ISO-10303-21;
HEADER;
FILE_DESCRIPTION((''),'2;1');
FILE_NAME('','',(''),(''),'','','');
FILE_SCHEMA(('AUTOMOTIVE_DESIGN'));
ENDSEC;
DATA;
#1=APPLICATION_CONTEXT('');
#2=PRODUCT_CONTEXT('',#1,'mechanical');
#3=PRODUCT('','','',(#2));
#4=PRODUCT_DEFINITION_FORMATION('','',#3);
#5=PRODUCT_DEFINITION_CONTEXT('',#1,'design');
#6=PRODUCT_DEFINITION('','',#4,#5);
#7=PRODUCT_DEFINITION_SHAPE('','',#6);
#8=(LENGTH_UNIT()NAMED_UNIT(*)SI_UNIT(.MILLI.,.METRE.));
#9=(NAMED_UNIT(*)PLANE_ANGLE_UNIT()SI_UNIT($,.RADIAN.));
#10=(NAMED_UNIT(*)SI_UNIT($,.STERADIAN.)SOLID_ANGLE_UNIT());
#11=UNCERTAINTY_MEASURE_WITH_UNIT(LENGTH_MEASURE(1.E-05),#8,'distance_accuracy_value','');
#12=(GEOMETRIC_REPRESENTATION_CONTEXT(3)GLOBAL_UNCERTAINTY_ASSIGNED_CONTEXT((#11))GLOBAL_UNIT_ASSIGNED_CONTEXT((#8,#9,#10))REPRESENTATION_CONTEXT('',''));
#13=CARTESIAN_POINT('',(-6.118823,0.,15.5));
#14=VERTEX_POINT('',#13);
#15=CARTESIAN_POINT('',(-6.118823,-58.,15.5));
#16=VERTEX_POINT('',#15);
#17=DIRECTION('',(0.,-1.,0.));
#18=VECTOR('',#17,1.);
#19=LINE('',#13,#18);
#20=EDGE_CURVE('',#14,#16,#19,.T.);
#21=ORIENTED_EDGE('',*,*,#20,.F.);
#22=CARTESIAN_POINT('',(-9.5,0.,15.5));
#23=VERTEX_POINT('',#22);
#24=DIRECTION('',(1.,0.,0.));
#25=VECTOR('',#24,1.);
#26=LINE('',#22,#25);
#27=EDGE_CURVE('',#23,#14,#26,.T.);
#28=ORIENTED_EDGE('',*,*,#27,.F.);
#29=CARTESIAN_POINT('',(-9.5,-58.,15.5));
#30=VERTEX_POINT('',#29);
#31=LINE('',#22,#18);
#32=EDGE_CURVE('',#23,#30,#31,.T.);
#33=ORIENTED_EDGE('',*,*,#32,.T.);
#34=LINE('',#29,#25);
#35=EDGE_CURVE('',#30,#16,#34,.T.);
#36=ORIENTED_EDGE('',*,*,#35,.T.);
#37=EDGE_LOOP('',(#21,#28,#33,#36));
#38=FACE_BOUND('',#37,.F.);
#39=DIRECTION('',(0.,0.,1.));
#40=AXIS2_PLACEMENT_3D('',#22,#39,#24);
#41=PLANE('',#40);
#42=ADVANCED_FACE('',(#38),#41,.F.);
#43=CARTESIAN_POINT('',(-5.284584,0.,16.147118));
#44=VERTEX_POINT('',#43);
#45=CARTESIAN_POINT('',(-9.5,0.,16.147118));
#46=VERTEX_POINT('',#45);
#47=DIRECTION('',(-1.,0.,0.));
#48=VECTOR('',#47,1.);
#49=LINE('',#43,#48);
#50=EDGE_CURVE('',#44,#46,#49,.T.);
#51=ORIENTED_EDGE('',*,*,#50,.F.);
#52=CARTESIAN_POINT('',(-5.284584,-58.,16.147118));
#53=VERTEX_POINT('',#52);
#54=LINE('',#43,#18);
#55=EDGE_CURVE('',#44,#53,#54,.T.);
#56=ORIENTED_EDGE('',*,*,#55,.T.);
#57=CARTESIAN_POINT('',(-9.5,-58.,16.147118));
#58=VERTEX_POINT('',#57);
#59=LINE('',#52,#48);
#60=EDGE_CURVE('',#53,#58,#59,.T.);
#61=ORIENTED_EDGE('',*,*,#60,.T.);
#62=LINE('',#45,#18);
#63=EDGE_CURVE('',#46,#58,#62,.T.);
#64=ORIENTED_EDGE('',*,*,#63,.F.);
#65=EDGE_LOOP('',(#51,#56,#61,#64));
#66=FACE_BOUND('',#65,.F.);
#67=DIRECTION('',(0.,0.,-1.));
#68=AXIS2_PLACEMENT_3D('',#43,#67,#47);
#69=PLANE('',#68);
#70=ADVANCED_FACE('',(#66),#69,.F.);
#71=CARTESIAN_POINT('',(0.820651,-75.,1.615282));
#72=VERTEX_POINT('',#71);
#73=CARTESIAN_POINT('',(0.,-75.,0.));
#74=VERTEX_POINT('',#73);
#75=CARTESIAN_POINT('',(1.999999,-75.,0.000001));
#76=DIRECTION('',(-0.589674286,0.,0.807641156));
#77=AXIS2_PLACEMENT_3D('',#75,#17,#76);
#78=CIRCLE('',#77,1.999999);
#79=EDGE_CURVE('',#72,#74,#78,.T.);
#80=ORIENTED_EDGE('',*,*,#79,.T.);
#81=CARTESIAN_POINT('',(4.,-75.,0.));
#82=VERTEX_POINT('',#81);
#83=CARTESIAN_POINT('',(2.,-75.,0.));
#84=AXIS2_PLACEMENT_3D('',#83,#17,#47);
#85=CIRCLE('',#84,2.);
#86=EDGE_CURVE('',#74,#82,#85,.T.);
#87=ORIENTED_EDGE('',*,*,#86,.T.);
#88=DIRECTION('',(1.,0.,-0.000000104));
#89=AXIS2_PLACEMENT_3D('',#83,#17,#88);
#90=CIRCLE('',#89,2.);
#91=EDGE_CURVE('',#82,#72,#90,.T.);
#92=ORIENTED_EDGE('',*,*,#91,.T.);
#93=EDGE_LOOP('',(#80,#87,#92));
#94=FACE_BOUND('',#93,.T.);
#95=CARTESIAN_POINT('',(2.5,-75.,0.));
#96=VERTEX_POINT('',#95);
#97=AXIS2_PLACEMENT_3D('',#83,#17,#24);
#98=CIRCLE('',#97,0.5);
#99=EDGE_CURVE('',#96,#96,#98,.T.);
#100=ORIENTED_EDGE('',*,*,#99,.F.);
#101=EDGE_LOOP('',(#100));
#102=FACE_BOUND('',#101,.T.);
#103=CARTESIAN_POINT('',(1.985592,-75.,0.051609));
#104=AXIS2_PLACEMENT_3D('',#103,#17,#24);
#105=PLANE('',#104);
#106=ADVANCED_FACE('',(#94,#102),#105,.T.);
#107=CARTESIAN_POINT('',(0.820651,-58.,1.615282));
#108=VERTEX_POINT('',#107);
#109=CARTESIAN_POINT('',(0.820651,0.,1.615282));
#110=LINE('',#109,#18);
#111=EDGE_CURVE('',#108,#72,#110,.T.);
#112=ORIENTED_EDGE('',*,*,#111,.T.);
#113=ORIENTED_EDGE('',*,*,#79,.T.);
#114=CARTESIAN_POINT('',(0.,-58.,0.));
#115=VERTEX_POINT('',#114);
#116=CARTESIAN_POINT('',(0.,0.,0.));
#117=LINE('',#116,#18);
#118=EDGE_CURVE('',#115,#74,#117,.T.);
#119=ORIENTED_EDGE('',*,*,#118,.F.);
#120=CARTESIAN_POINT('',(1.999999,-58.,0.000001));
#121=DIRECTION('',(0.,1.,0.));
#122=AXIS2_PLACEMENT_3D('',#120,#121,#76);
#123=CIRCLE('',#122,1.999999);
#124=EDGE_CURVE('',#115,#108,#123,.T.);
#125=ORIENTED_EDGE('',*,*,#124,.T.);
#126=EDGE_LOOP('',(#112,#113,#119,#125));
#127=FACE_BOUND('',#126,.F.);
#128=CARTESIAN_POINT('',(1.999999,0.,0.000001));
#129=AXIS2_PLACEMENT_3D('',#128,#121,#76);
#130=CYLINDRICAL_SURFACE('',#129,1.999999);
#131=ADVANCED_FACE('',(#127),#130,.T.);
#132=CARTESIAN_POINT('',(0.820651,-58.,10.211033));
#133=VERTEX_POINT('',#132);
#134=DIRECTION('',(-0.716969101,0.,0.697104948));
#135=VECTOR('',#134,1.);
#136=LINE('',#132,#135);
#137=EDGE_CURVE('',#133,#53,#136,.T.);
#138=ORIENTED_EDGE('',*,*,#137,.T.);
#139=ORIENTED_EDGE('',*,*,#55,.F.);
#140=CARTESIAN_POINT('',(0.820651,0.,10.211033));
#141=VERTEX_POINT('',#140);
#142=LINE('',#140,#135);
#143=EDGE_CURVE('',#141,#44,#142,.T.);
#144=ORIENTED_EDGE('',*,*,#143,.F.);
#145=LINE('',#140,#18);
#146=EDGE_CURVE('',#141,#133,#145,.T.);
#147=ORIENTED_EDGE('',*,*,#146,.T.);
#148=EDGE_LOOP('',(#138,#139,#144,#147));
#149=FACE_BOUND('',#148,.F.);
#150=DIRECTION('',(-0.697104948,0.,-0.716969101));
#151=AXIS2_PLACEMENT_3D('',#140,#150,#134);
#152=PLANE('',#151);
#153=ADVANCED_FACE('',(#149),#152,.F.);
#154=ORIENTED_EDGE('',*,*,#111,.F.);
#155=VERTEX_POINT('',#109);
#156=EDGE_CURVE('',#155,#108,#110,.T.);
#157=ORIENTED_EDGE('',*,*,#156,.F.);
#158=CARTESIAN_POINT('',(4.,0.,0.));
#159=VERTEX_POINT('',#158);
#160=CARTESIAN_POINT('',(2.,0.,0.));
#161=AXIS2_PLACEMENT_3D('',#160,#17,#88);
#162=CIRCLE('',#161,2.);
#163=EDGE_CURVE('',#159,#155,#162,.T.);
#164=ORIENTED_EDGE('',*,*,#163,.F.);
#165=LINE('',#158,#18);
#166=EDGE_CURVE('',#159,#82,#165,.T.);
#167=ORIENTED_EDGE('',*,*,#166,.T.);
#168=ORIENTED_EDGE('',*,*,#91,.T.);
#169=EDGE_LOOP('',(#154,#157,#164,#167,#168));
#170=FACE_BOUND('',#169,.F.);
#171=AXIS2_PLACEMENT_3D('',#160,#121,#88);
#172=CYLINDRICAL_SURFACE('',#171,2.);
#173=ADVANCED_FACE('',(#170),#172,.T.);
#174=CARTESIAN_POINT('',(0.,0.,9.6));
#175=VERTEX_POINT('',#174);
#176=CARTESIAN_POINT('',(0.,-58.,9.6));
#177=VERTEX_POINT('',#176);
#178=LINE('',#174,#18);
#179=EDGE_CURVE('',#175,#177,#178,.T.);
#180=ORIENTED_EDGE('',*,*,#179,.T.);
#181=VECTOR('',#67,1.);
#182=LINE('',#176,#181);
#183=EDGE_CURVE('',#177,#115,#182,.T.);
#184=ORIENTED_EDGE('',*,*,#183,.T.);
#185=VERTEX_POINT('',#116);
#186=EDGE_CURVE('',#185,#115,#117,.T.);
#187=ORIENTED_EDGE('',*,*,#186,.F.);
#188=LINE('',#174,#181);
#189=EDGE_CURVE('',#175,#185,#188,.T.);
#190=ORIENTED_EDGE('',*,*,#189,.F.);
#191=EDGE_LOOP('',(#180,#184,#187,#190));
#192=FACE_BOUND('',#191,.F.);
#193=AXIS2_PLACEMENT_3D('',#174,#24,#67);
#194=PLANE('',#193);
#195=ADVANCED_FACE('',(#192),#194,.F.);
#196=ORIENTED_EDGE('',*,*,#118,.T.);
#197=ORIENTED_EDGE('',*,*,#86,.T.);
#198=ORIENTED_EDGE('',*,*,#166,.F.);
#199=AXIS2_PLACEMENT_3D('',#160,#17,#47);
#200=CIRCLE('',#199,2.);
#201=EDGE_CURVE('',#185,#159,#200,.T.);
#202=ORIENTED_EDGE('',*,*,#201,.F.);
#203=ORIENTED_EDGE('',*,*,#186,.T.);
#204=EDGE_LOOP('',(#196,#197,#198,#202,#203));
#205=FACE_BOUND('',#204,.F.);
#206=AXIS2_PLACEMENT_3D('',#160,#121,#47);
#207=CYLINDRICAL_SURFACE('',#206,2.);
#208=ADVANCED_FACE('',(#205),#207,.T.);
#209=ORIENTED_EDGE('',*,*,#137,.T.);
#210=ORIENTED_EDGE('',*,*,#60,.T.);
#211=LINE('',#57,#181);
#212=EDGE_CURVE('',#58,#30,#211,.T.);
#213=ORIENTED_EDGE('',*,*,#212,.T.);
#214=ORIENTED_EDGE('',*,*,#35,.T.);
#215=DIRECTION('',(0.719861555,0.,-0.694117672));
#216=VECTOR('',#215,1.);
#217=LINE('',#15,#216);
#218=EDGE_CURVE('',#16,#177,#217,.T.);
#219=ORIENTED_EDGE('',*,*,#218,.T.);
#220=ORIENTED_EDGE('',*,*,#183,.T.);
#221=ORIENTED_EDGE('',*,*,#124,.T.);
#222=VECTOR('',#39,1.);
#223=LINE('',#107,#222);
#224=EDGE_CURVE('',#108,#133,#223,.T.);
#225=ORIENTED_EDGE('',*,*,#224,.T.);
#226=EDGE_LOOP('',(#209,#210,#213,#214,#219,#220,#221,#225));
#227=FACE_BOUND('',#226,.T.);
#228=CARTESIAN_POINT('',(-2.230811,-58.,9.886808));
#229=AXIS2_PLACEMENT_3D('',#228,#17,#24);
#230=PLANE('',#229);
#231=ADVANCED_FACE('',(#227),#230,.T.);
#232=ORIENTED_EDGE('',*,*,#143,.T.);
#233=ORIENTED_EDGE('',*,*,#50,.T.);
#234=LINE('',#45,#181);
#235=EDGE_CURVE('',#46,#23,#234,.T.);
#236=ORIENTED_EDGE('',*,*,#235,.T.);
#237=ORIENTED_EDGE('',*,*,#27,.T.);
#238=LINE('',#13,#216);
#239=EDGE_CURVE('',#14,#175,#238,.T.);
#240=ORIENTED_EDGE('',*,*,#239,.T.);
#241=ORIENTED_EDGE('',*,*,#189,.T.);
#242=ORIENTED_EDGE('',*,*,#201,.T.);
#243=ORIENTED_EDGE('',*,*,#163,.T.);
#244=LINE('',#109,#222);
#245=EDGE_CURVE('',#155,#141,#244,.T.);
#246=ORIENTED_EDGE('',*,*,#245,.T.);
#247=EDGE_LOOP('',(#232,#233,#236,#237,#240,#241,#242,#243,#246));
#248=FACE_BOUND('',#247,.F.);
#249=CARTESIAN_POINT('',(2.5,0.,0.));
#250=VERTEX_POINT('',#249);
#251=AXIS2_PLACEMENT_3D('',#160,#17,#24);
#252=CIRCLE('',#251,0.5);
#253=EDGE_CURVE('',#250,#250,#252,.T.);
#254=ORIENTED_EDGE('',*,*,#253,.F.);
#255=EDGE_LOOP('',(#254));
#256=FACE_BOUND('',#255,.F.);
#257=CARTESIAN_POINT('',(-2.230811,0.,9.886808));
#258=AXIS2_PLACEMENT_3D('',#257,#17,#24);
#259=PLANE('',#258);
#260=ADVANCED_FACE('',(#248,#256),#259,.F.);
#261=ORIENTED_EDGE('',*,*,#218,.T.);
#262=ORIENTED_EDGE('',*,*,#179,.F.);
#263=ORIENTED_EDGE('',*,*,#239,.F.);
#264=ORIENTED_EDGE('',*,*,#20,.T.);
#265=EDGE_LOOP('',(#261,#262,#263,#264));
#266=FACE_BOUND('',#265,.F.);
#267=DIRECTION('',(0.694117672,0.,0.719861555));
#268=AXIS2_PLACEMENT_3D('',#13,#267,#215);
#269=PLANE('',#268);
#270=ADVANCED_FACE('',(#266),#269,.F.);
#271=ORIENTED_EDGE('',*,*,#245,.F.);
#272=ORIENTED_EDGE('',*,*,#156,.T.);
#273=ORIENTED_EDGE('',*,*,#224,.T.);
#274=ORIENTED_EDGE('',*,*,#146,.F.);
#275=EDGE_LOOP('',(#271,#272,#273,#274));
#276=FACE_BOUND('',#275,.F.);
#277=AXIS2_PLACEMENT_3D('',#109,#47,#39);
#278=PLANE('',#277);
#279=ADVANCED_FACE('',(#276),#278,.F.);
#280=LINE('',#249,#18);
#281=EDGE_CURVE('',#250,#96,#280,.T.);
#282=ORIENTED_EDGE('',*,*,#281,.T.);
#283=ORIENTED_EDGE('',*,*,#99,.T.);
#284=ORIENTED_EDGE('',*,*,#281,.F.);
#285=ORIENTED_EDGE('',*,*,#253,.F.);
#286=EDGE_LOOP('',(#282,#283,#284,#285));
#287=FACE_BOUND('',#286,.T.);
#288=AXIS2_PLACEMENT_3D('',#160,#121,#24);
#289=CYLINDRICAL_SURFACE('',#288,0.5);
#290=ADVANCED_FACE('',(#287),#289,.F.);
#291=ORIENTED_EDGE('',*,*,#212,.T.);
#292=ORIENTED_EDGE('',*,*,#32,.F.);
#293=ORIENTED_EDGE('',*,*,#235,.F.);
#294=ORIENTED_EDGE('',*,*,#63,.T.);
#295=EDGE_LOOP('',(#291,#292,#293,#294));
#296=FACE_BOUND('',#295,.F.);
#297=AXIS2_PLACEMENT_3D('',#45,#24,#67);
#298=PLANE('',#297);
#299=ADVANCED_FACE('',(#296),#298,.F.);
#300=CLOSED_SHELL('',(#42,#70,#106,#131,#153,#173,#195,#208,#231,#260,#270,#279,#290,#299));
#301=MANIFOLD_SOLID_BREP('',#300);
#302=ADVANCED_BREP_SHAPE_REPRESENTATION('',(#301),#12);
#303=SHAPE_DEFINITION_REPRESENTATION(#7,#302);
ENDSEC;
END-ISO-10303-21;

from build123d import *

# Parameters (mm, degrees)
F0_R     = 0.5
F1_DEPTH = 75
F2_DEPTH = 58


with BuildPart() as f1:
    # F0 (on Front) → F1 (new body)
    with BuildSketch(Plane.XZ):
        with BuildLine():
            ThreePointArc((0.820651, 1.615282), (0.216927, 0.905898), (0, 0))
            ThreePointArc((0, 0), (2, -2), (4, 0))
            ThreePointArc((4, 0), (2.905898, 1.783073), (0.820651, 1.615282))
        make_face()
        with Locations((2, 0)):
            Circle(F0_R, mode=Mode.SUBTRACT)
    extrude(amount=F1_DEPTH)

    # F0 (on Front) → F2 (join)
    with BuildSketch(Plane.XZ):
        with BuildLine():
            Line((0, 9.6), (0, 0))
            ThreePointArc((0, 0), (0.216927, 0.905898), (0.820651, 1.615282))
            Line((0.820651, 1.615282), (0.820651, 10.211033))
            Line((0.820651, 10.211033), (-5.284584, 16.147118))
            Line((-5.284584, 16.147118), (-9.5, 16.147118))
            Line((-9.5, 16.147118), (-9.5, 15.5))
            Line((-9.5, 15.5), (-6.118823, 15.5))
            Line((-6.118823, 15.5), (0, 9.6))
        make_face()
        with BuildLine():
            ThreePointArc((0.820651, 1.615282), (0.216927, 0.905898), (0, 0))
            ThreePointArc((0, 0), (2, -2), (4, 0))
            ThreePointArc((4, 0), (2.905898, 1.783073), (0.820651, 1.615282))
        make_face()
        with Locations((2, 0)):
            Circle(F0_R, mode=Mode.SUBTRACT)
    extrude(amount=F2_DEPTH)


solid = f1.part
